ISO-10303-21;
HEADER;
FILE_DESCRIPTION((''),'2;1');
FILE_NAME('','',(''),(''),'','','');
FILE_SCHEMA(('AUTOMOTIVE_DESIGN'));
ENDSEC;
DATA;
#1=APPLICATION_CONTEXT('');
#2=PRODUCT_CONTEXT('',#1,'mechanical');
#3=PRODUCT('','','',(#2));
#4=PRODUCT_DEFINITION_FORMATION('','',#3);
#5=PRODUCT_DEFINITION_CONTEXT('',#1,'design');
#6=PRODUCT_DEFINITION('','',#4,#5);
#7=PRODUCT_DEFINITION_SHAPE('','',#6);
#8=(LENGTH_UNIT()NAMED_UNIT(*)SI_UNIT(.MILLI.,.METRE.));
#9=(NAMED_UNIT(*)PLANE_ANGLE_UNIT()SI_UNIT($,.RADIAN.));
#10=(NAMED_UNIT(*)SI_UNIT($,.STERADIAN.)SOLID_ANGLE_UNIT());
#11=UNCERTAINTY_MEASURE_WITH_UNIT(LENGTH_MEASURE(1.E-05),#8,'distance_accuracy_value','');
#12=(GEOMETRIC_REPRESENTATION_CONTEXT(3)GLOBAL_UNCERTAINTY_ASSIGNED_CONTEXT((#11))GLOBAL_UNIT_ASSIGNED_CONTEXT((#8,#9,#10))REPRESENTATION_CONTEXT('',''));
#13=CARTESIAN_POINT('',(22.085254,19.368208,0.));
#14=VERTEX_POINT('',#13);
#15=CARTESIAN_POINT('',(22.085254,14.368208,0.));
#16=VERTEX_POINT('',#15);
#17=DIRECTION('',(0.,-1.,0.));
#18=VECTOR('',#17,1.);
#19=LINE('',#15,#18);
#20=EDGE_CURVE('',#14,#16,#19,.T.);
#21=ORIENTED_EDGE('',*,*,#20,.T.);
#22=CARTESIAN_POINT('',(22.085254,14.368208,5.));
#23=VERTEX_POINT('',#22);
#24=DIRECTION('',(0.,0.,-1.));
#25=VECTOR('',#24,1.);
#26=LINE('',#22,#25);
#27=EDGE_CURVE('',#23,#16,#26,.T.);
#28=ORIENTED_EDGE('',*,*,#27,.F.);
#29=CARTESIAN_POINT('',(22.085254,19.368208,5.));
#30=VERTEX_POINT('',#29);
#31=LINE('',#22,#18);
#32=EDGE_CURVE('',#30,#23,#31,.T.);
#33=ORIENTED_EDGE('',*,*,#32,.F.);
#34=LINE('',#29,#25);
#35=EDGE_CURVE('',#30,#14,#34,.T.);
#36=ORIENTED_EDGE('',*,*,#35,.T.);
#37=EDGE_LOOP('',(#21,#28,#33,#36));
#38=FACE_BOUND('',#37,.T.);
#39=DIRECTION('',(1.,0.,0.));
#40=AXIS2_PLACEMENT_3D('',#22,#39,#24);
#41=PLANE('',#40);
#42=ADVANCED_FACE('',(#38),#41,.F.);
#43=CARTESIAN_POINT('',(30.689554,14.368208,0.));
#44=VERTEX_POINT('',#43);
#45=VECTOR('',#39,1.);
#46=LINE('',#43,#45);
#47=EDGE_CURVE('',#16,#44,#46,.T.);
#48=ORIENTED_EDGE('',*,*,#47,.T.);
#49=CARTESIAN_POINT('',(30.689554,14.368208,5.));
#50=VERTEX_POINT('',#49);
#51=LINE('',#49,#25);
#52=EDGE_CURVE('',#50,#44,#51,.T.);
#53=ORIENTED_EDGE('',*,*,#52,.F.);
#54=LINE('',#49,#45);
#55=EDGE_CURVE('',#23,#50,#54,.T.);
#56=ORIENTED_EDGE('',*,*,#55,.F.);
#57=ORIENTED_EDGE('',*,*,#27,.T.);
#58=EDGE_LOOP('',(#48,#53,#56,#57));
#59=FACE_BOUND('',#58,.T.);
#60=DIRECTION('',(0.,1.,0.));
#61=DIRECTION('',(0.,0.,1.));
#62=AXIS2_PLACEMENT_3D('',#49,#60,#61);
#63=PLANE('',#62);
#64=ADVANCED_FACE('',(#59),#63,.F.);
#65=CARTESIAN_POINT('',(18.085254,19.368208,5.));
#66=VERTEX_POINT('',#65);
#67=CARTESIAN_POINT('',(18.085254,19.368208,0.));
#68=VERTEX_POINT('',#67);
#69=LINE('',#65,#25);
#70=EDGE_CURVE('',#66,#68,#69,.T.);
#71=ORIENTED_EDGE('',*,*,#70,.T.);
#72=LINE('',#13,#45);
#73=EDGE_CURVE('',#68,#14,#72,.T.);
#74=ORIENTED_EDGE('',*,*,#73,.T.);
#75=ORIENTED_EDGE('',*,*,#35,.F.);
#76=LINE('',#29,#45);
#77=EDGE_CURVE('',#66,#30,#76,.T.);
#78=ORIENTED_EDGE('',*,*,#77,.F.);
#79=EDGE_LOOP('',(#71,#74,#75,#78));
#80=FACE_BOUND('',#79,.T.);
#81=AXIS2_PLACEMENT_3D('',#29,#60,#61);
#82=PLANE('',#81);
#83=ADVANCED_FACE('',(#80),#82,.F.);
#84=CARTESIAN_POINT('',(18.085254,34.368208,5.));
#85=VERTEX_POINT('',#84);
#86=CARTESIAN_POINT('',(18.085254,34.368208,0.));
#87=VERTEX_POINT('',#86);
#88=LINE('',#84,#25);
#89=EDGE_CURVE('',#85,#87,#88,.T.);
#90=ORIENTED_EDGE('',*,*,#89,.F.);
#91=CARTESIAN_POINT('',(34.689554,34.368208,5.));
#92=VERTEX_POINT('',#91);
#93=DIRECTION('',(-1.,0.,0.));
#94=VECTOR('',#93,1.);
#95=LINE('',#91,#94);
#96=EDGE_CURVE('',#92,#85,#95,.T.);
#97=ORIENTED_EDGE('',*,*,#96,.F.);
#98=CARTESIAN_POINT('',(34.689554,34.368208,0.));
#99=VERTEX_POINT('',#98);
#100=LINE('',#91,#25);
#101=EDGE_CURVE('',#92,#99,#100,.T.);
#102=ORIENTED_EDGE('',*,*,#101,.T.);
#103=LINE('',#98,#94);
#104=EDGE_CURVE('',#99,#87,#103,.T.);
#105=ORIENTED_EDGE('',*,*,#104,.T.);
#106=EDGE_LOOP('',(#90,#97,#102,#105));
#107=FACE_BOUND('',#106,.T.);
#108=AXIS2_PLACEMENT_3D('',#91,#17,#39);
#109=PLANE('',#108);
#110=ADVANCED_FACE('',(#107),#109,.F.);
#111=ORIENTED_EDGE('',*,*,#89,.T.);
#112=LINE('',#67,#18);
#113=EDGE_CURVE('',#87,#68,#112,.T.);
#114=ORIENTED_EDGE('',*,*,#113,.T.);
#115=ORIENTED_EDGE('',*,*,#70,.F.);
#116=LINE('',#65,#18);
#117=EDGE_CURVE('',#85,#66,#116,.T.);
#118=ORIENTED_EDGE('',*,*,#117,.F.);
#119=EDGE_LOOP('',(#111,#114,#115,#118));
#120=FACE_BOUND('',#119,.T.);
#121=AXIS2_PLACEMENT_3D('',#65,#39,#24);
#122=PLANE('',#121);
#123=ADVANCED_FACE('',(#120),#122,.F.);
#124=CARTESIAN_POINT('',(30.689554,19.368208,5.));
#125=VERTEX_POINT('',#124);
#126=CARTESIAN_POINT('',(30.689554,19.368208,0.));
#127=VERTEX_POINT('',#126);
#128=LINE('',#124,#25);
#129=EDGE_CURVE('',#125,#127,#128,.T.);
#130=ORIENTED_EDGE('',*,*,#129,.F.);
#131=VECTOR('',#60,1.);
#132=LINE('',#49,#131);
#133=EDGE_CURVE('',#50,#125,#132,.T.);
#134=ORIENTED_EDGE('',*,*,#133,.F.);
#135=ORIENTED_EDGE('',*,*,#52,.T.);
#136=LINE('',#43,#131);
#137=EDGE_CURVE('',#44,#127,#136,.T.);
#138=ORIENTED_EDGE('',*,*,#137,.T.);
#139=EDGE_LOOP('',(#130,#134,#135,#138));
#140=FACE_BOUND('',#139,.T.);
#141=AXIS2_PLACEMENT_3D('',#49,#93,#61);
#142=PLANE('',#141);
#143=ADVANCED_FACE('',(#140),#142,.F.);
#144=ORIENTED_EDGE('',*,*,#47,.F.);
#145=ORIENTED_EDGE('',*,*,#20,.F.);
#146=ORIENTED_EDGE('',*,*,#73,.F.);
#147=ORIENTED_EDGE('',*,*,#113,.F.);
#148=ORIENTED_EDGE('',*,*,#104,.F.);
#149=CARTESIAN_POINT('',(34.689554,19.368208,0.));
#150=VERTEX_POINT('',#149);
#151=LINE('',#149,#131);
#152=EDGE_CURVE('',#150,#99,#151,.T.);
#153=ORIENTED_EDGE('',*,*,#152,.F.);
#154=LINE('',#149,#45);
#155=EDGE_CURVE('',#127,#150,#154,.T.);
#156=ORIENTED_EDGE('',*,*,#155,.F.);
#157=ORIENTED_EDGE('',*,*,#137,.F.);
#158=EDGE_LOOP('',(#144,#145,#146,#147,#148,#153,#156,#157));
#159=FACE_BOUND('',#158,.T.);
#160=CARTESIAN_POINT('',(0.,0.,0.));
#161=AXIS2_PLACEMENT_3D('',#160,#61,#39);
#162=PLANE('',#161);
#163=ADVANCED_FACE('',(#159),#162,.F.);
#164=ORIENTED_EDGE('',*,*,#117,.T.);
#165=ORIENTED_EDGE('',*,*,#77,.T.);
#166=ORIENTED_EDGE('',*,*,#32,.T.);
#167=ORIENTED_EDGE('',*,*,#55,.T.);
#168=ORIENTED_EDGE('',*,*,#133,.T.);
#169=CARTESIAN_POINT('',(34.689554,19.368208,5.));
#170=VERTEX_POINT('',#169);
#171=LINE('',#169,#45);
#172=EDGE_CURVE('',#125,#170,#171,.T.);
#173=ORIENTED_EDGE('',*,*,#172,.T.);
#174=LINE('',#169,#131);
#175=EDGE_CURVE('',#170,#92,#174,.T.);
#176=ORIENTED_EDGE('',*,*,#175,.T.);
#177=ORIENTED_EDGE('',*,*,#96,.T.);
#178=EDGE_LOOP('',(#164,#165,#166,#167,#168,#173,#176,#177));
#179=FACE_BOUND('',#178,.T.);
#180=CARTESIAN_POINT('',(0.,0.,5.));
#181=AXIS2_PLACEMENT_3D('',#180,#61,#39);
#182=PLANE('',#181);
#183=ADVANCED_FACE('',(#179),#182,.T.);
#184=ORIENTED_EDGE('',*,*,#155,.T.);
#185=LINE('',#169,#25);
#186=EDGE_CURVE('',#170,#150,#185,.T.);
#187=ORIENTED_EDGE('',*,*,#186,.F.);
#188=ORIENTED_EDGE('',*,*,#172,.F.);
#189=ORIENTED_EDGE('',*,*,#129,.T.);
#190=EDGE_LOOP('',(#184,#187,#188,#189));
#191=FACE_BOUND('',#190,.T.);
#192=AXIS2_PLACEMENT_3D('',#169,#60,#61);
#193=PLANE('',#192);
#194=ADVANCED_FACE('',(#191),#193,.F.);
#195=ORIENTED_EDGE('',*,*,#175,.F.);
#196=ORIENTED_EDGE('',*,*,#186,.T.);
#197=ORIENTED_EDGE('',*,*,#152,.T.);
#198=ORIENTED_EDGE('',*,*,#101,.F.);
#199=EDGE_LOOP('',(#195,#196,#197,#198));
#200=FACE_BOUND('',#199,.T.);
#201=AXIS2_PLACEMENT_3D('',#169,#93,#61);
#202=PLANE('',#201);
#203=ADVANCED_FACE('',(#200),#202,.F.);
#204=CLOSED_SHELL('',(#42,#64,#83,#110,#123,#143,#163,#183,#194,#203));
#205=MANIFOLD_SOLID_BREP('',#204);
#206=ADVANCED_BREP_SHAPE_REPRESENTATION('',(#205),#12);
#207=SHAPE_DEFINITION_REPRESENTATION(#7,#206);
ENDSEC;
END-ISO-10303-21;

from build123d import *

# Parameters (mm, degrees)
BOSS_EXTRUDE1_DEPTH = 5


with BuildPart() as part:
    # Sketch1 → Boss-Extrude1 (new body)
    with BuildSketch(Plane.XY):
        Polygon((30.689553979, 14.36820834), (22.085253979, 14.36820834), (22.085253979, 19.36820834), (18.085253979, 19.36820834), (18.085253979, 34.36820834), (34.689553979, 34.36820834), (34.689553979, 19.36820834), (30.689553979, 19.36820834), align=None)
    extrude(amount=BOSS_EXTRUDE1_DEPTH)


solid = part.part
